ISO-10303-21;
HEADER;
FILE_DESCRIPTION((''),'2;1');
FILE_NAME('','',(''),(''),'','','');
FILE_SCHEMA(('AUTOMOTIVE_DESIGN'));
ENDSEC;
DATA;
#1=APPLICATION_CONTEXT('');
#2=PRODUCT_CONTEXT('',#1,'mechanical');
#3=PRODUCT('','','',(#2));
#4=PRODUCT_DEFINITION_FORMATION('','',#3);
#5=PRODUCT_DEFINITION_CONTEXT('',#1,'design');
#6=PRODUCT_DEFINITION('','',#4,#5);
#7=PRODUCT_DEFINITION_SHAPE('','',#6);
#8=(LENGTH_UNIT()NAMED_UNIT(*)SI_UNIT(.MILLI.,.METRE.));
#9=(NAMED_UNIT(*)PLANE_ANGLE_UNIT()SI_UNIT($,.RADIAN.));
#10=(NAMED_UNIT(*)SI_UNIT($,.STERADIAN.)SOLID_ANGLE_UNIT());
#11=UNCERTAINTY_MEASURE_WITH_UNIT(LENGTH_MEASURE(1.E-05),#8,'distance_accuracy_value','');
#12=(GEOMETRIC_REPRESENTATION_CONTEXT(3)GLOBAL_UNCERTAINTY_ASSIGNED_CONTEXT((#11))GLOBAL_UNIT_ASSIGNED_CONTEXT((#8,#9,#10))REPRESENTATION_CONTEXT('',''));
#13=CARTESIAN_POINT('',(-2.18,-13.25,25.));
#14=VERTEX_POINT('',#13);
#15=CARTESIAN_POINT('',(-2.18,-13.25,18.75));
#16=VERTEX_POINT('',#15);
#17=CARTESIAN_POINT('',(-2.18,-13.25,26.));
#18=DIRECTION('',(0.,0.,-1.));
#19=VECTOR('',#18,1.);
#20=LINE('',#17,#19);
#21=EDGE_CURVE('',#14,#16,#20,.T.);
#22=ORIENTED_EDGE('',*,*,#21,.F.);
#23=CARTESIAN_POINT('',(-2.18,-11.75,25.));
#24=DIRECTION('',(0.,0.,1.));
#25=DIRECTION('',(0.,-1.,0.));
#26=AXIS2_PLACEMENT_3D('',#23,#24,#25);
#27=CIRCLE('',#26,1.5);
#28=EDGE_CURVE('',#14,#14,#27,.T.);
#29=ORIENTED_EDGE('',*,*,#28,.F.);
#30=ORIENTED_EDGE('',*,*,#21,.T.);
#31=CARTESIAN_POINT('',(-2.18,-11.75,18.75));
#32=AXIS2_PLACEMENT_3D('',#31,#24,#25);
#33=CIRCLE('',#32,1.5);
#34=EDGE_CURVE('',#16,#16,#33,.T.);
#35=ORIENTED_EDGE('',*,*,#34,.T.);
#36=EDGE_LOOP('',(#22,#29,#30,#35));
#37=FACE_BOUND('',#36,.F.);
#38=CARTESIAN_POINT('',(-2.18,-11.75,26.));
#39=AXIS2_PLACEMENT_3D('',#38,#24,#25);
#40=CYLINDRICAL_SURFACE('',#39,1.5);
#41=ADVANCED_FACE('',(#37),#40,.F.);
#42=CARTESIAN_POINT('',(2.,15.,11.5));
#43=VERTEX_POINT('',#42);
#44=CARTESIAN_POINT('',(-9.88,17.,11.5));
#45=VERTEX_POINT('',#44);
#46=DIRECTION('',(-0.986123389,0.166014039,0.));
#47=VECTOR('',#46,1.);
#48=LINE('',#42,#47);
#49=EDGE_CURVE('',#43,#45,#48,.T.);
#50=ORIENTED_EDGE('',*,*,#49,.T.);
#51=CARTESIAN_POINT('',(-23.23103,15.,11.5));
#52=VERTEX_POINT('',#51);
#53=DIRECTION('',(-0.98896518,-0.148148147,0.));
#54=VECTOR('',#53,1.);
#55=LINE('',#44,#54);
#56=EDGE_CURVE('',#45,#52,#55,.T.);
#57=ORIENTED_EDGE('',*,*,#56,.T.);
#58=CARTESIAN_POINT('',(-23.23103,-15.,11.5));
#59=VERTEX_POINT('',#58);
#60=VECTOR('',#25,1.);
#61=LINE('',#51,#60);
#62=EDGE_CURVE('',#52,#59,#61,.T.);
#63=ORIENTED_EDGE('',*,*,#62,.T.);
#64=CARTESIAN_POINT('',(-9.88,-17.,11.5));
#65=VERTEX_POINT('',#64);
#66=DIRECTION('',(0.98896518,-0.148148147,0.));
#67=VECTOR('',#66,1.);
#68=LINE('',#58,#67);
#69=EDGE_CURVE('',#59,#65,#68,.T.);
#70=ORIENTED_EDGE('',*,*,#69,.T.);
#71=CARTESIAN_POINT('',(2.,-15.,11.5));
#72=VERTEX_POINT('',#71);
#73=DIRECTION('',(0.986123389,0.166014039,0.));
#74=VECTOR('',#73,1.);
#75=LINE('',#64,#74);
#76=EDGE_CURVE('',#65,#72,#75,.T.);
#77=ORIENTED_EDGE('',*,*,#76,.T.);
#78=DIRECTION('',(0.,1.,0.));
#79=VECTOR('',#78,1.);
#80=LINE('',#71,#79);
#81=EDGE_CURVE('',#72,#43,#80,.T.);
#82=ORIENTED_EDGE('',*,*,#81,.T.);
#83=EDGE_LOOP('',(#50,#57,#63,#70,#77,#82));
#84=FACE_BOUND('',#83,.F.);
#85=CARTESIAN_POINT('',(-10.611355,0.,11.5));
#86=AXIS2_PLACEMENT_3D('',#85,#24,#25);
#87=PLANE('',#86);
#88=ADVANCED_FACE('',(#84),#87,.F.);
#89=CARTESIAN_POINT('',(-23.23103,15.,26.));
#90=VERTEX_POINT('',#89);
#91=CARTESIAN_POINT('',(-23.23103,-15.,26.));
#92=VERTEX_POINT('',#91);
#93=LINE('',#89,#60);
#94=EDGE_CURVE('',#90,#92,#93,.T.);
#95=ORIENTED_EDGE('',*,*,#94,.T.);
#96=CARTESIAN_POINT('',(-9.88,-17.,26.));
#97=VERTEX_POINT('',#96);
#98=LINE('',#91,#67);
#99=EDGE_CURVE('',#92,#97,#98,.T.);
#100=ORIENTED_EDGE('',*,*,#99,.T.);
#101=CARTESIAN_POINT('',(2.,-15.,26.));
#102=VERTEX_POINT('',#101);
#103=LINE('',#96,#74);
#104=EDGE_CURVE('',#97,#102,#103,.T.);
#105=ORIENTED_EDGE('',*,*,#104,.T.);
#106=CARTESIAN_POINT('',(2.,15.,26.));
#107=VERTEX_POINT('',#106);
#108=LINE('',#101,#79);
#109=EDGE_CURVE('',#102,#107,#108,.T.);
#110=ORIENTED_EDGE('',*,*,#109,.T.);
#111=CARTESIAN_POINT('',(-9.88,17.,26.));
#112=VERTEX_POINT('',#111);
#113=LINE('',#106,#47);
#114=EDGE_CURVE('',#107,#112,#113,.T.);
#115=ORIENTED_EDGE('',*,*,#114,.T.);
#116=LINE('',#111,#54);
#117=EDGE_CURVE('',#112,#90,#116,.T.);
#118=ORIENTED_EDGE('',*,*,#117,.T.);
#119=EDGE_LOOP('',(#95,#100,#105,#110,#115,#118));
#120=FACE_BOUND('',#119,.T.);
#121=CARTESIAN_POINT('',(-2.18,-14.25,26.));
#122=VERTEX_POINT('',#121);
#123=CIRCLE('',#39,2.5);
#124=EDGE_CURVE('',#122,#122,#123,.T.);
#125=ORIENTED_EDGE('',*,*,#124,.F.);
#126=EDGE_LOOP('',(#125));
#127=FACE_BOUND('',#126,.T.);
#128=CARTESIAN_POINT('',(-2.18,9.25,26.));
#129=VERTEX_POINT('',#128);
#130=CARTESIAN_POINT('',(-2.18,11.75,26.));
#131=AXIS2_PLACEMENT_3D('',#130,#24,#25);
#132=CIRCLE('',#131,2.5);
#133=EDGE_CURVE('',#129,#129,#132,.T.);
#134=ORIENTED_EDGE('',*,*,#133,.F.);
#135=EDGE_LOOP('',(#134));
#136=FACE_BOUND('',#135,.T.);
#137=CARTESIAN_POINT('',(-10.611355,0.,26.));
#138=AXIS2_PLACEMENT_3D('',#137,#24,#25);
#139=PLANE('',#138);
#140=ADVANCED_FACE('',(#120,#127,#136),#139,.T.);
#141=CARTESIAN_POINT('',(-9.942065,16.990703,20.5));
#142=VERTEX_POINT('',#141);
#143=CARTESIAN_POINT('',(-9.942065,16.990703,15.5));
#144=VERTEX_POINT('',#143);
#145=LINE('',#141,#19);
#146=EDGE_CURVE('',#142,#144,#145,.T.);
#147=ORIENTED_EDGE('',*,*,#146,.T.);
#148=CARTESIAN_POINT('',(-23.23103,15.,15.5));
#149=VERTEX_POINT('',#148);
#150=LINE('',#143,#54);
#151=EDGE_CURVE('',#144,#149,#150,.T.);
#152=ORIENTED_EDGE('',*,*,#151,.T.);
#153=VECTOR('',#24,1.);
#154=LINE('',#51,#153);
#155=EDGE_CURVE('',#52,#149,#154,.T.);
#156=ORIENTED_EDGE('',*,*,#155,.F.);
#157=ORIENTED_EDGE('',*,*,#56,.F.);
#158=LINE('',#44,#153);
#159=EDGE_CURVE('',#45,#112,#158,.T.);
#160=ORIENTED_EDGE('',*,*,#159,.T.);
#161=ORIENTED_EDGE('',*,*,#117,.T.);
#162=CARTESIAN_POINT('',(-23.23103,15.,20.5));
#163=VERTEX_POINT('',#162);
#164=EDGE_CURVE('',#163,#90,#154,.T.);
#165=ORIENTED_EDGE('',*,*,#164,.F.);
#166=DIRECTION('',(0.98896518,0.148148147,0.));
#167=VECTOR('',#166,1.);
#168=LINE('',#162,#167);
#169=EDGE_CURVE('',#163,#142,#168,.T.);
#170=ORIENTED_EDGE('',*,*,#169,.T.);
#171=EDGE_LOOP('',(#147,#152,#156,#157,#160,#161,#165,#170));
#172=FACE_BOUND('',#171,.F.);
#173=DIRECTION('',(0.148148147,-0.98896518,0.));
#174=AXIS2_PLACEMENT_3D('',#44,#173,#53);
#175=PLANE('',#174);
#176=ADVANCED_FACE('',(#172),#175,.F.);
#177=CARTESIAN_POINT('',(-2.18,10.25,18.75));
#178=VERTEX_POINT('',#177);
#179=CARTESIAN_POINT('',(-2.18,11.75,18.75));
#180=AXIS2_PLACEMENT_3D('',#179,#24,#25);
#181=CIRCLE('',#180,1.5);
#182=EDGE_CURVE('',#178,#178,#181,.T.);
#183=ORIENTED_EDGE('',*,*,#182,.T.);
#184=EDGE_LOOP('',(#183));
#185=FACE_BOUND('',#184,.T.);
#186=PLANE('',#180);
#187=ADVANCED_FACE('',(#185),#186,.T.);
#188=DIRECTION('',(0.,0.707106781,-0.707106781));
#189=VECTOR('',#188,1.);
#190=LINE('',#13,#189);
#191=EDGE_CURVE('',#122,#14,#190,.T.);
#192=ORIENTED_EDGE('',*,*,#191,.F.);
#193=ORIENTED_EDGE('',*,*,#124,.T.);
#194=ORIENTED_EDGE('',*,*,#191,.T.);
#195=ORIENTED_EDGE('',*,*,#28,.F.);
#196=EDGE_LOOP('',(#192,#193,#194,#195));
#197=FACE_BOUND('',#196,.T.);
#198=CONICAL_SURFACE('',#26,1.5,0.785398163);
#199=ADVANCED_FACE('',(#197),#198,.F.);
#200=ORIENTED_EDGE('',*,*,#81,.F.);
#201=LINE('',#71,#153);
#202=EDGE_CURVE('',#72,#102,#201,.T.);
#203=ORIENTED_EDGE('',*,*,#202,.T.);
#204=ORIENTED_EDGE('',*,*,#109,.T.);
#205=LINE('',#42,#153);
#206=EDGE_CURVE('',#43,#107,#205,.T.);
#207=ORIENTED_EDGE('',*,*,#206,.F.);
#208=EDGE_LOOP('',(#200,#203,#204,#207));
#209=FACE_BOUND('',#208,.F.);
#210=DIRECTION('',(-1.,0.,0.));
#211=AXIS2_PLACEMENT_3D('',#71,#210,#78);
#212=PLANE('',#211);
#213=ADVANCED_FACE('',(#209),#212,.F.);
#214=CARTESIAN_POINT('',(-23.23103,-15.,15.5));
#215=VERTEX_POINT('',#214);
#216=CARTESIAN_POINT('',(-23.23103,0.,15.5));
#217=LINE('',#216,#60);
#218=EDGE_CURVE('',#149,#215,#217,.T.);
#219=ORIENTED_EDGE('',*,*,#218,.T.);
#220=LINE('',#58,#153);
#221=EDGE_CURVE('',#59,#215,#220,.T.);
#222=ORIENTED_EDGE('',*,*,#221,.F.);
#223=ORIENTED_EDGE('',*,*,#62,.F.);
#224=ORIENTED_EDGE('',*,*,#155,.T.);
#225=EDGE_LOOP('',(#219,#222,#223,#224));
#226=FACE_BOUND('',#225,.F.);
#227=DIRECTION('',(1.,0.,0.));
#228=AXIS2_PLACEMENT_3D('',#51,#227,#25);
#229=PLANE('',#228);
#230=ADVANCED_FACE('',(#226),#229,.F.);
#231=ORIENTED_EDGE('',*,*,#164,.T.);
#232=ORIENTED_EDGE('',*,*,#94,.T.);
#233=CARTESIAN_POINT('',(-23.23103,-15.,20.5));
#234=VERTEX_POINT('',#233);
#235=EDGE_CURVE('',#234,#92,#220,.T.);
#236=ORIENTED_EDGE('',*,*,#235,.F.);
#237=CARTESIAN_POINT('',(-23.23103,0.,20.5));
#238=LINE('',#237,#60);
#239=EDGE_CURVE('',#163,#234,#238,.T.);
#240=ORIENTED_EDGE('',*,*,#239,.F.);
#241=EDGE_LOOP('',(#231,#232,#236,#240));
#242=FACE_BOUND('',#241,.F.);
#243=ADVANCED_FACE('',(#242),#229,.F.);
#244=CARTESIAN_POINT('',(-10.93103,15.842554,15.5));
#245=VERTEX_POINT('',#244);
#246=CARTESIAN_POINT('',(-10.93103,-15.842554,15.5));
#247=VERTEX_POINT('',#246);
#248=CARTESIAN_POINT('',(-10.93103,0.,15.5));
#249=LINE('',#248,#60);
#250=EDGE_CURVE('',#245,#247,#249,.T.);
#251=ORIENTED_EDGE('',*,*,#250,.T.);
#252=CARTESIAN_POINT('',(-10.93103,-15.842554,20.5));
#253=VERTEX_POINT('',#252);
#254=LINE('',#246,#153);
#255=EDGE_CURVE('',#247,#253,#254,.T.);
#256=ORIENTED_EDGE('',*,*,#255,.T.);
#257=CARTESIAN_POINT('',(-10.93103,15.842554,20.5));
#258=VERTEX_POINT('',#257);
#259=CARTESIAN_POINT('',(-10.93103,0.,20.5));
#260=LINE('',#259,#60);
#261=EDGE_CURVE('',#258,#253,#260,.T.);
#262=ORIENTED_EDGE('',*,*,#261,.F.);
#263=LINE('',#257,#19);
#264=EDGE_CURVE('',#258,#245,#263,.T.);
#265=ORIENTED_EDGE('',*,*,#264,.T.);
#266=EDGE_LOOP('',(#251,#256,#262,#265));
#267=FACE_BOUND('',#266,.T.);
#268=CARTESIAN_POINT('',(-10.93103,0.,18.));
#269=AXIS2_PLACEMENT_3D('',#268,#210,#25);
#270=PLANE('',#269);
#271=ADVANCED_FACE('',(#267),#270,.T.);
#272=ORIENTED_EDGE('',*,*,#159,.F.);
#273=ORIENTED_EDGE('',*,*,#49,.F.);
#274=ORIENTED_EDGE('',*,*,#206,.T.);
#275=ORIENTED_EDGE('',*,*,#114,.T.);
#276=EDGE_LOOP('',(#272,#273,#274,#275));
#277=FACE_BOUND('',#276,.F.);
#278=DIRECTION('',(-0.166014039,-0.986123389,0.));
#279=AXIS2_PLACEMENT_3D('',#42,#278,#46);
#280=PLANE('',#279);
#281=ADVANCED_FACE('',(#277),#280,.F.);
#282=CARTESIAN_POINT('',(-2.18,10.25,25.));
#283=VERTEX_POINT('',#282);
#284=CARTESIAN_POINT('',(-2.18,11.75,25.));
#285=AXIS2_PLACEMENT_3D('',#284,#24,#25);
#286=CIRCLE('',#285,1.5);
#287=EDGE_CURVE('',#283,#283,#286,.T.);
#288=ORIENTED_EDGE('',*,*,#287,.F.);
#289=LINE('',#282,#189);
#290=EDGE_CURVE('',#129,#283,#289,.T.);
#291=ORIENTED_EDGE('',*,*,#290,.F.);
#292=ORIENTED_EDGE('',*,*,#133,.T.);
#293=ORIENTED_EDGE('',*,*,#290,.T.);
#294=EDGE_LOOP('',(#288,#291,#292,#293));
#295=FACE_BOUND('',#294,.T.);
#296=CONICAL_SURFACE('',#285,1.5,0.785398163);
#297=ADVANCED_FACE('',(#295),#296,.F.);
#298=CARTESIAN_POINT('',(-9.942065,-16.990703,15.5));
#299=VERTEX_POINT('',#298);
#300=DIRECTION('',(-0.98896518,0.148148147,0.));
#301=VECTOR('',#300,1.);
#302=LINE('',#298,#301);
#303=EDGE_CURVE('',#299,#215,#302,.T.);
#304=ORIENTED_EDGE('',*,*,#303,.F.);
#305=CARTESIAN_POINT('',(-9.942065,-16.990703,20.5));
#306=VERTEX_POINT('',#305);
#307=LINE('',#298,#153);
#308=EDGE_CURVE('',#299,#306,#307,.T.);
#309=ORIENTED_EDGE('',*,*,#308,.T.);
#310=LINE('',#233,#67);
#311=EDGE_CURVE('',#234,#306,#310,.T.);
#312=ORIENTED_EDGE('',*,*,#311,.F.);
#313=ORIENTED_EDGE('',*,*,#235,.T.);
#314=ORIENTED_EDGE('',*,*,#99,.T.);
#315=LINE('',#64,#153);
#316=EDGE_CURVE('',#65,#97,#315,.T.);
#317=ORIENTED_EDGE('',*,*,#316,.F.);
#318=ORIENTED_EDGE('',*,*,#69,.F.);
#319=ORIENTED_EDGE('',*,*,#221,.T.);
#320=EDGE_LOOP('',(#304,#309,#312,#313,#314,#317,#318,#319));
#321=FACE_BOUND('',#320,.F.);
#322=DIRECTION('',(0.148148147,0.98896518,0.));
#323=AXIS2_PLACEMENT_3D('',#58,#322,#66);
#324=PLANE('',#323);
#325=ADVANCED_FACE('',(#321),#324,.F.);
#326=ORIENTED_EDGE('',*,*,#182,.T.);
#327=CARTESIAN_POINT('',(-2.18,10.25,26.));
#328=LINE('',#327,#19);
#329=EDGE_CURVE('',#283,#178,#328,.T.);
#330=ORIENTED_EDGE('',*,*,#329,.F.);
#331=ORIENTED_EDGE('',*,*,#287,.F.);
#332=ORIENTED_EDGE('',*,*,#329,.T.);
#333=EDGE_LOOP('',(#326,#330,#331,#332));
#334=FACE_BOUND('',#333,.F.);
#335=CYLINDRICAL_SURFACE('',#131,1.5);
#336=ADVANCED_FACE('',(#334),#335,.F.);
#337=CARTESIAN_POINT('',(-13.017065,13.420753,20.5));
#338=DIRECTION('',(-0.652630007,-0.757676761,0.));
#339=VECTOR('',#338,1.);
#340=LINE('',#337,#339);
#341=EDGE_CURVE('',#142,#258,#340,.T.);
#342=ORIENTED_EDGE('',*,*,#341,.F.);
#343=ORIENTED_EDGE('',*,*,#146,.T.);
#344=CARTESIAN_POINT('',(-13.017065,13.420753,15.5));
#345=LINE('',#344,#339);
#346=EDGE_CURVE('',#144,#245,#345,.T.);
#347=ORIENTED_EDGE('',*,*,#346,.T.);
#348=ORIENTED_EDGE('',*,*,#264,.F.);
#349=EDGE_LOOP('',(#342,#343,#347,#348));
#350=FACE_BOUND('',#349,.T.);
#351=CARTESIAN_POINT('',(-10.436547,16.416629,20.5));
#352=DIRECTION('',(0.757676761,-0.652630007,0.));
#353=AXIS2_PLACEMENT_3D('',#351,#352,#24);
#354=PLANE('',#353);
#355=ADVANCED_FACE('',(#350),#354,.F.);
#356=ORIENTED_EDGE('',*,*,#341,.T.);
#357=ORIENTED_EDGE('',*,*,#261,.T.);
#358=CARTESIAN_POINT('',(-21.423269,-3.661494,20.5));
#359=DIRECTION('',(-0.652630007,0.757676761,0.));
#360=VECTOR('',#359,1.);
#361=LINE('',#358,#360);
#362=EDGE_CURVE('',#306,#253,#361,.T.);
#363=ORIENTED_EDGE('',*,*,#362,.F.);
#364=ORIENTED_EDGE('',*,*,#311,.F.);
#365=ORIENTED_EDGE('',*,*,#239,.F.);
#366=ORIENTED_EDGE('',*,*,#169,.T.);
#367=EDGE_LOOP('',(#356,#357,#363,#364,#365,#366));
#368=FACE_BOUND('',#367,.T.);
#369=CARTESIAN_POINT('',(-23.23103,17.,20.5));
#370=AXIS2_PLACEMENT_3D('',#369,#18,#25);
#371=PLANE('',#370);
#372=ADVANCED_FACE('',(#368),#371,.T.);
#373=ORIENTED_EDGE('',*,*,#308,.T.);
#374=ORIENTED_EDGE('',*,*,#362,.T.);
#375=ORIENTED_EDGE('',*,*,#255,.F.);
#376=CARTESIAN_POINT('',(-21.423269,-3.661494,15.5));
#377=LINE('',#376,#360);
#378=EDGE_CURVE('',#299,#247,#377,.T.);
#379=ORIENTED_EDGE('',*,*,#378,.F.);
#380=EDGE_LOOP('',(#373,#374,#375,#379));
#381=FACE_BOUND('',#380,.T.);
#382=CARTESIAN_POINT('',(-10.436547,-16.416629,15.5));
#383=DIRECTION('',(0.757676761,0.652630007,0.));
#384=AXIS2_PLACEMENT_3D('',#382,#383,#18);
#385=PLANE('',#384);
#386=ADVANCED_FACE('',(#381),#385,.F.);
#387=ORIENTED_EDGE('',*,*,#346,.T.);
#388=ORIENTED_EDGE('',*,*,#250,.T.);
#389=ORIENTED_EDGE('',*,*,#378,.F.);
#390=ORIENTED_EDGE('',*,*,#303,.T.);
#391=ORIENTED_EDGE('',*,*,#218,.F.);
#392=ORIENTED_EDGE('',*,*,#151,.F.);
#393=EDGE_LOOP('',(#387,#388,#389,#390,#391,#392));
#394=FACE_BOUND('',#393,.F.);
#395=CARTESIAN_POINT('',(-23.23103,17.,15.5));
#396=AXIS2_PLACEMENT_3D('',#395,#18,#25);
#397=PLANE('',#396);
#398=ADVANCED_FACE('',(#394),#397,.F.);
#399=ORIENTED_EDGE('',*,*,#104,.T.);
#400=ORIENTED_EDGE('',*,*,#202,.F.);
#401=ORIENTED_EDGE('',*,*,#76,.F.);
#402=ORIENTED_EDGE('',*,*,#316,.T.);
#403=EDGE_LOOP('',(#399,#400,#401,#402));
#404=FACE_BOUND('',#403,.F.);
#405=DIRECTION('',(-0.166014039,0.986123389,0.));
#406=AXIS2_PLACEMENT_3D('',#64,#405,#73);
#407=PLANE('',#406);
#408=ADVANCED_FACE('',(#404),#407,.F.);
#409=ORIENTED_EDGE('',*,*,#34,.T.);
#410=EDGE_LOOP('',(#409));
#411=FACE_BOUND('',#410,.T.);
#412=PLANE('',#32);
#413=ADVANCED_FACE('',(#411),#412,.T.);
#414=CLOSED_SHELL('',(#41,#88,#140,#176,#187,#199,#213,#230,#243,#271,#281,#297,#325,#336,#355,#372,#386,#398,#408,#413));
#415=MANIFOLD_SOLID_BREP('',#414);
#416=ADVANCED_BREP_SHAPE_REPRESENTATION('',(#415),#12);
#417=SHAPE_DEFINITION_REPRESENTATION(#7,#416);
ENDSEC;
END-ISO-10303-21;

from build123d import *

# Parameters (mm, degrees)
PAD003_DEPTH    = 14.5
SKETCH021_R     = 1.5
POCKET002_DEPTH = 7.25
SKETCH023_W     = 34
SKETCH023_H     = 5
POCKET003_DEPTH = 12.3
CHAMFER006_SIZE = 1
CHAMFER007_SIZE = 1


with BuildPart() as part:
    # Sketch022 → Pad003 (new body)
    with BuildSketch(Plane(origin=(0, 0, 11.5), x_dir=(0, -1, 0), z_dir=(0, 0, 1))):
        Polygon((-15, -23.23103), (15, -23.23103), (17, -9.88), (15, 2), (-15, 2), (-17, -9.88), align=None)
    extrude(amount=PAD003_DEPTH)

    # Sketch021 (on Face8 of Pad003) → Pocket002 (cut)
    with BuildSketch(Plane(origin=(0, 0, 26), x_dir=(0, -1, 0), z_dir=(0, 0, 1))):
        with Locations((11.75, -2.18)):
            Circle(SKETCH021_R)
        with Locations((-11.75, -2.18)):
            Circle(SKETCH021_R)
    extrude(amount=-POCKET002_DEPTH, mode=Mode.SUBTRACT)

    # Sketch023 (on Face8 of Pocket002) → Pocket003 (cut)
    with BuildSketch(Plane(origin=(-23.23103, 0, 11.5), x_dir=(0, -1, 0), z_dir=(-1, 0, 0))):
        with Locations((0, 6.5)):
            Rectangle(SKETCH023_W, SKETCH023_H)
    extrude(amount=-POCKET003_DEPTH, mode=Mode.SUBTRACT)

    # Chamfer006
    chamfer006_edges = [part.edges().sort_by_distance(p)[0] for p in [
        (-10.93103, -16.842554, 18),
        (-10.93103, 16.842554, 18),
    ]]
    chamfer(chamfer006_edges, length=CHAMFER006_SIZE)

    # Chamfer007
    chamfer007_edges = [part.edges().sort_by_distance(p)[0] for p in [
        (-2.18, -10.25, 26),
        (-2.18, 13.25, 26),
    ]]
    chamfer(chamfer007_edges, length=CHAMFER007_SIZE)


solid = part.part
